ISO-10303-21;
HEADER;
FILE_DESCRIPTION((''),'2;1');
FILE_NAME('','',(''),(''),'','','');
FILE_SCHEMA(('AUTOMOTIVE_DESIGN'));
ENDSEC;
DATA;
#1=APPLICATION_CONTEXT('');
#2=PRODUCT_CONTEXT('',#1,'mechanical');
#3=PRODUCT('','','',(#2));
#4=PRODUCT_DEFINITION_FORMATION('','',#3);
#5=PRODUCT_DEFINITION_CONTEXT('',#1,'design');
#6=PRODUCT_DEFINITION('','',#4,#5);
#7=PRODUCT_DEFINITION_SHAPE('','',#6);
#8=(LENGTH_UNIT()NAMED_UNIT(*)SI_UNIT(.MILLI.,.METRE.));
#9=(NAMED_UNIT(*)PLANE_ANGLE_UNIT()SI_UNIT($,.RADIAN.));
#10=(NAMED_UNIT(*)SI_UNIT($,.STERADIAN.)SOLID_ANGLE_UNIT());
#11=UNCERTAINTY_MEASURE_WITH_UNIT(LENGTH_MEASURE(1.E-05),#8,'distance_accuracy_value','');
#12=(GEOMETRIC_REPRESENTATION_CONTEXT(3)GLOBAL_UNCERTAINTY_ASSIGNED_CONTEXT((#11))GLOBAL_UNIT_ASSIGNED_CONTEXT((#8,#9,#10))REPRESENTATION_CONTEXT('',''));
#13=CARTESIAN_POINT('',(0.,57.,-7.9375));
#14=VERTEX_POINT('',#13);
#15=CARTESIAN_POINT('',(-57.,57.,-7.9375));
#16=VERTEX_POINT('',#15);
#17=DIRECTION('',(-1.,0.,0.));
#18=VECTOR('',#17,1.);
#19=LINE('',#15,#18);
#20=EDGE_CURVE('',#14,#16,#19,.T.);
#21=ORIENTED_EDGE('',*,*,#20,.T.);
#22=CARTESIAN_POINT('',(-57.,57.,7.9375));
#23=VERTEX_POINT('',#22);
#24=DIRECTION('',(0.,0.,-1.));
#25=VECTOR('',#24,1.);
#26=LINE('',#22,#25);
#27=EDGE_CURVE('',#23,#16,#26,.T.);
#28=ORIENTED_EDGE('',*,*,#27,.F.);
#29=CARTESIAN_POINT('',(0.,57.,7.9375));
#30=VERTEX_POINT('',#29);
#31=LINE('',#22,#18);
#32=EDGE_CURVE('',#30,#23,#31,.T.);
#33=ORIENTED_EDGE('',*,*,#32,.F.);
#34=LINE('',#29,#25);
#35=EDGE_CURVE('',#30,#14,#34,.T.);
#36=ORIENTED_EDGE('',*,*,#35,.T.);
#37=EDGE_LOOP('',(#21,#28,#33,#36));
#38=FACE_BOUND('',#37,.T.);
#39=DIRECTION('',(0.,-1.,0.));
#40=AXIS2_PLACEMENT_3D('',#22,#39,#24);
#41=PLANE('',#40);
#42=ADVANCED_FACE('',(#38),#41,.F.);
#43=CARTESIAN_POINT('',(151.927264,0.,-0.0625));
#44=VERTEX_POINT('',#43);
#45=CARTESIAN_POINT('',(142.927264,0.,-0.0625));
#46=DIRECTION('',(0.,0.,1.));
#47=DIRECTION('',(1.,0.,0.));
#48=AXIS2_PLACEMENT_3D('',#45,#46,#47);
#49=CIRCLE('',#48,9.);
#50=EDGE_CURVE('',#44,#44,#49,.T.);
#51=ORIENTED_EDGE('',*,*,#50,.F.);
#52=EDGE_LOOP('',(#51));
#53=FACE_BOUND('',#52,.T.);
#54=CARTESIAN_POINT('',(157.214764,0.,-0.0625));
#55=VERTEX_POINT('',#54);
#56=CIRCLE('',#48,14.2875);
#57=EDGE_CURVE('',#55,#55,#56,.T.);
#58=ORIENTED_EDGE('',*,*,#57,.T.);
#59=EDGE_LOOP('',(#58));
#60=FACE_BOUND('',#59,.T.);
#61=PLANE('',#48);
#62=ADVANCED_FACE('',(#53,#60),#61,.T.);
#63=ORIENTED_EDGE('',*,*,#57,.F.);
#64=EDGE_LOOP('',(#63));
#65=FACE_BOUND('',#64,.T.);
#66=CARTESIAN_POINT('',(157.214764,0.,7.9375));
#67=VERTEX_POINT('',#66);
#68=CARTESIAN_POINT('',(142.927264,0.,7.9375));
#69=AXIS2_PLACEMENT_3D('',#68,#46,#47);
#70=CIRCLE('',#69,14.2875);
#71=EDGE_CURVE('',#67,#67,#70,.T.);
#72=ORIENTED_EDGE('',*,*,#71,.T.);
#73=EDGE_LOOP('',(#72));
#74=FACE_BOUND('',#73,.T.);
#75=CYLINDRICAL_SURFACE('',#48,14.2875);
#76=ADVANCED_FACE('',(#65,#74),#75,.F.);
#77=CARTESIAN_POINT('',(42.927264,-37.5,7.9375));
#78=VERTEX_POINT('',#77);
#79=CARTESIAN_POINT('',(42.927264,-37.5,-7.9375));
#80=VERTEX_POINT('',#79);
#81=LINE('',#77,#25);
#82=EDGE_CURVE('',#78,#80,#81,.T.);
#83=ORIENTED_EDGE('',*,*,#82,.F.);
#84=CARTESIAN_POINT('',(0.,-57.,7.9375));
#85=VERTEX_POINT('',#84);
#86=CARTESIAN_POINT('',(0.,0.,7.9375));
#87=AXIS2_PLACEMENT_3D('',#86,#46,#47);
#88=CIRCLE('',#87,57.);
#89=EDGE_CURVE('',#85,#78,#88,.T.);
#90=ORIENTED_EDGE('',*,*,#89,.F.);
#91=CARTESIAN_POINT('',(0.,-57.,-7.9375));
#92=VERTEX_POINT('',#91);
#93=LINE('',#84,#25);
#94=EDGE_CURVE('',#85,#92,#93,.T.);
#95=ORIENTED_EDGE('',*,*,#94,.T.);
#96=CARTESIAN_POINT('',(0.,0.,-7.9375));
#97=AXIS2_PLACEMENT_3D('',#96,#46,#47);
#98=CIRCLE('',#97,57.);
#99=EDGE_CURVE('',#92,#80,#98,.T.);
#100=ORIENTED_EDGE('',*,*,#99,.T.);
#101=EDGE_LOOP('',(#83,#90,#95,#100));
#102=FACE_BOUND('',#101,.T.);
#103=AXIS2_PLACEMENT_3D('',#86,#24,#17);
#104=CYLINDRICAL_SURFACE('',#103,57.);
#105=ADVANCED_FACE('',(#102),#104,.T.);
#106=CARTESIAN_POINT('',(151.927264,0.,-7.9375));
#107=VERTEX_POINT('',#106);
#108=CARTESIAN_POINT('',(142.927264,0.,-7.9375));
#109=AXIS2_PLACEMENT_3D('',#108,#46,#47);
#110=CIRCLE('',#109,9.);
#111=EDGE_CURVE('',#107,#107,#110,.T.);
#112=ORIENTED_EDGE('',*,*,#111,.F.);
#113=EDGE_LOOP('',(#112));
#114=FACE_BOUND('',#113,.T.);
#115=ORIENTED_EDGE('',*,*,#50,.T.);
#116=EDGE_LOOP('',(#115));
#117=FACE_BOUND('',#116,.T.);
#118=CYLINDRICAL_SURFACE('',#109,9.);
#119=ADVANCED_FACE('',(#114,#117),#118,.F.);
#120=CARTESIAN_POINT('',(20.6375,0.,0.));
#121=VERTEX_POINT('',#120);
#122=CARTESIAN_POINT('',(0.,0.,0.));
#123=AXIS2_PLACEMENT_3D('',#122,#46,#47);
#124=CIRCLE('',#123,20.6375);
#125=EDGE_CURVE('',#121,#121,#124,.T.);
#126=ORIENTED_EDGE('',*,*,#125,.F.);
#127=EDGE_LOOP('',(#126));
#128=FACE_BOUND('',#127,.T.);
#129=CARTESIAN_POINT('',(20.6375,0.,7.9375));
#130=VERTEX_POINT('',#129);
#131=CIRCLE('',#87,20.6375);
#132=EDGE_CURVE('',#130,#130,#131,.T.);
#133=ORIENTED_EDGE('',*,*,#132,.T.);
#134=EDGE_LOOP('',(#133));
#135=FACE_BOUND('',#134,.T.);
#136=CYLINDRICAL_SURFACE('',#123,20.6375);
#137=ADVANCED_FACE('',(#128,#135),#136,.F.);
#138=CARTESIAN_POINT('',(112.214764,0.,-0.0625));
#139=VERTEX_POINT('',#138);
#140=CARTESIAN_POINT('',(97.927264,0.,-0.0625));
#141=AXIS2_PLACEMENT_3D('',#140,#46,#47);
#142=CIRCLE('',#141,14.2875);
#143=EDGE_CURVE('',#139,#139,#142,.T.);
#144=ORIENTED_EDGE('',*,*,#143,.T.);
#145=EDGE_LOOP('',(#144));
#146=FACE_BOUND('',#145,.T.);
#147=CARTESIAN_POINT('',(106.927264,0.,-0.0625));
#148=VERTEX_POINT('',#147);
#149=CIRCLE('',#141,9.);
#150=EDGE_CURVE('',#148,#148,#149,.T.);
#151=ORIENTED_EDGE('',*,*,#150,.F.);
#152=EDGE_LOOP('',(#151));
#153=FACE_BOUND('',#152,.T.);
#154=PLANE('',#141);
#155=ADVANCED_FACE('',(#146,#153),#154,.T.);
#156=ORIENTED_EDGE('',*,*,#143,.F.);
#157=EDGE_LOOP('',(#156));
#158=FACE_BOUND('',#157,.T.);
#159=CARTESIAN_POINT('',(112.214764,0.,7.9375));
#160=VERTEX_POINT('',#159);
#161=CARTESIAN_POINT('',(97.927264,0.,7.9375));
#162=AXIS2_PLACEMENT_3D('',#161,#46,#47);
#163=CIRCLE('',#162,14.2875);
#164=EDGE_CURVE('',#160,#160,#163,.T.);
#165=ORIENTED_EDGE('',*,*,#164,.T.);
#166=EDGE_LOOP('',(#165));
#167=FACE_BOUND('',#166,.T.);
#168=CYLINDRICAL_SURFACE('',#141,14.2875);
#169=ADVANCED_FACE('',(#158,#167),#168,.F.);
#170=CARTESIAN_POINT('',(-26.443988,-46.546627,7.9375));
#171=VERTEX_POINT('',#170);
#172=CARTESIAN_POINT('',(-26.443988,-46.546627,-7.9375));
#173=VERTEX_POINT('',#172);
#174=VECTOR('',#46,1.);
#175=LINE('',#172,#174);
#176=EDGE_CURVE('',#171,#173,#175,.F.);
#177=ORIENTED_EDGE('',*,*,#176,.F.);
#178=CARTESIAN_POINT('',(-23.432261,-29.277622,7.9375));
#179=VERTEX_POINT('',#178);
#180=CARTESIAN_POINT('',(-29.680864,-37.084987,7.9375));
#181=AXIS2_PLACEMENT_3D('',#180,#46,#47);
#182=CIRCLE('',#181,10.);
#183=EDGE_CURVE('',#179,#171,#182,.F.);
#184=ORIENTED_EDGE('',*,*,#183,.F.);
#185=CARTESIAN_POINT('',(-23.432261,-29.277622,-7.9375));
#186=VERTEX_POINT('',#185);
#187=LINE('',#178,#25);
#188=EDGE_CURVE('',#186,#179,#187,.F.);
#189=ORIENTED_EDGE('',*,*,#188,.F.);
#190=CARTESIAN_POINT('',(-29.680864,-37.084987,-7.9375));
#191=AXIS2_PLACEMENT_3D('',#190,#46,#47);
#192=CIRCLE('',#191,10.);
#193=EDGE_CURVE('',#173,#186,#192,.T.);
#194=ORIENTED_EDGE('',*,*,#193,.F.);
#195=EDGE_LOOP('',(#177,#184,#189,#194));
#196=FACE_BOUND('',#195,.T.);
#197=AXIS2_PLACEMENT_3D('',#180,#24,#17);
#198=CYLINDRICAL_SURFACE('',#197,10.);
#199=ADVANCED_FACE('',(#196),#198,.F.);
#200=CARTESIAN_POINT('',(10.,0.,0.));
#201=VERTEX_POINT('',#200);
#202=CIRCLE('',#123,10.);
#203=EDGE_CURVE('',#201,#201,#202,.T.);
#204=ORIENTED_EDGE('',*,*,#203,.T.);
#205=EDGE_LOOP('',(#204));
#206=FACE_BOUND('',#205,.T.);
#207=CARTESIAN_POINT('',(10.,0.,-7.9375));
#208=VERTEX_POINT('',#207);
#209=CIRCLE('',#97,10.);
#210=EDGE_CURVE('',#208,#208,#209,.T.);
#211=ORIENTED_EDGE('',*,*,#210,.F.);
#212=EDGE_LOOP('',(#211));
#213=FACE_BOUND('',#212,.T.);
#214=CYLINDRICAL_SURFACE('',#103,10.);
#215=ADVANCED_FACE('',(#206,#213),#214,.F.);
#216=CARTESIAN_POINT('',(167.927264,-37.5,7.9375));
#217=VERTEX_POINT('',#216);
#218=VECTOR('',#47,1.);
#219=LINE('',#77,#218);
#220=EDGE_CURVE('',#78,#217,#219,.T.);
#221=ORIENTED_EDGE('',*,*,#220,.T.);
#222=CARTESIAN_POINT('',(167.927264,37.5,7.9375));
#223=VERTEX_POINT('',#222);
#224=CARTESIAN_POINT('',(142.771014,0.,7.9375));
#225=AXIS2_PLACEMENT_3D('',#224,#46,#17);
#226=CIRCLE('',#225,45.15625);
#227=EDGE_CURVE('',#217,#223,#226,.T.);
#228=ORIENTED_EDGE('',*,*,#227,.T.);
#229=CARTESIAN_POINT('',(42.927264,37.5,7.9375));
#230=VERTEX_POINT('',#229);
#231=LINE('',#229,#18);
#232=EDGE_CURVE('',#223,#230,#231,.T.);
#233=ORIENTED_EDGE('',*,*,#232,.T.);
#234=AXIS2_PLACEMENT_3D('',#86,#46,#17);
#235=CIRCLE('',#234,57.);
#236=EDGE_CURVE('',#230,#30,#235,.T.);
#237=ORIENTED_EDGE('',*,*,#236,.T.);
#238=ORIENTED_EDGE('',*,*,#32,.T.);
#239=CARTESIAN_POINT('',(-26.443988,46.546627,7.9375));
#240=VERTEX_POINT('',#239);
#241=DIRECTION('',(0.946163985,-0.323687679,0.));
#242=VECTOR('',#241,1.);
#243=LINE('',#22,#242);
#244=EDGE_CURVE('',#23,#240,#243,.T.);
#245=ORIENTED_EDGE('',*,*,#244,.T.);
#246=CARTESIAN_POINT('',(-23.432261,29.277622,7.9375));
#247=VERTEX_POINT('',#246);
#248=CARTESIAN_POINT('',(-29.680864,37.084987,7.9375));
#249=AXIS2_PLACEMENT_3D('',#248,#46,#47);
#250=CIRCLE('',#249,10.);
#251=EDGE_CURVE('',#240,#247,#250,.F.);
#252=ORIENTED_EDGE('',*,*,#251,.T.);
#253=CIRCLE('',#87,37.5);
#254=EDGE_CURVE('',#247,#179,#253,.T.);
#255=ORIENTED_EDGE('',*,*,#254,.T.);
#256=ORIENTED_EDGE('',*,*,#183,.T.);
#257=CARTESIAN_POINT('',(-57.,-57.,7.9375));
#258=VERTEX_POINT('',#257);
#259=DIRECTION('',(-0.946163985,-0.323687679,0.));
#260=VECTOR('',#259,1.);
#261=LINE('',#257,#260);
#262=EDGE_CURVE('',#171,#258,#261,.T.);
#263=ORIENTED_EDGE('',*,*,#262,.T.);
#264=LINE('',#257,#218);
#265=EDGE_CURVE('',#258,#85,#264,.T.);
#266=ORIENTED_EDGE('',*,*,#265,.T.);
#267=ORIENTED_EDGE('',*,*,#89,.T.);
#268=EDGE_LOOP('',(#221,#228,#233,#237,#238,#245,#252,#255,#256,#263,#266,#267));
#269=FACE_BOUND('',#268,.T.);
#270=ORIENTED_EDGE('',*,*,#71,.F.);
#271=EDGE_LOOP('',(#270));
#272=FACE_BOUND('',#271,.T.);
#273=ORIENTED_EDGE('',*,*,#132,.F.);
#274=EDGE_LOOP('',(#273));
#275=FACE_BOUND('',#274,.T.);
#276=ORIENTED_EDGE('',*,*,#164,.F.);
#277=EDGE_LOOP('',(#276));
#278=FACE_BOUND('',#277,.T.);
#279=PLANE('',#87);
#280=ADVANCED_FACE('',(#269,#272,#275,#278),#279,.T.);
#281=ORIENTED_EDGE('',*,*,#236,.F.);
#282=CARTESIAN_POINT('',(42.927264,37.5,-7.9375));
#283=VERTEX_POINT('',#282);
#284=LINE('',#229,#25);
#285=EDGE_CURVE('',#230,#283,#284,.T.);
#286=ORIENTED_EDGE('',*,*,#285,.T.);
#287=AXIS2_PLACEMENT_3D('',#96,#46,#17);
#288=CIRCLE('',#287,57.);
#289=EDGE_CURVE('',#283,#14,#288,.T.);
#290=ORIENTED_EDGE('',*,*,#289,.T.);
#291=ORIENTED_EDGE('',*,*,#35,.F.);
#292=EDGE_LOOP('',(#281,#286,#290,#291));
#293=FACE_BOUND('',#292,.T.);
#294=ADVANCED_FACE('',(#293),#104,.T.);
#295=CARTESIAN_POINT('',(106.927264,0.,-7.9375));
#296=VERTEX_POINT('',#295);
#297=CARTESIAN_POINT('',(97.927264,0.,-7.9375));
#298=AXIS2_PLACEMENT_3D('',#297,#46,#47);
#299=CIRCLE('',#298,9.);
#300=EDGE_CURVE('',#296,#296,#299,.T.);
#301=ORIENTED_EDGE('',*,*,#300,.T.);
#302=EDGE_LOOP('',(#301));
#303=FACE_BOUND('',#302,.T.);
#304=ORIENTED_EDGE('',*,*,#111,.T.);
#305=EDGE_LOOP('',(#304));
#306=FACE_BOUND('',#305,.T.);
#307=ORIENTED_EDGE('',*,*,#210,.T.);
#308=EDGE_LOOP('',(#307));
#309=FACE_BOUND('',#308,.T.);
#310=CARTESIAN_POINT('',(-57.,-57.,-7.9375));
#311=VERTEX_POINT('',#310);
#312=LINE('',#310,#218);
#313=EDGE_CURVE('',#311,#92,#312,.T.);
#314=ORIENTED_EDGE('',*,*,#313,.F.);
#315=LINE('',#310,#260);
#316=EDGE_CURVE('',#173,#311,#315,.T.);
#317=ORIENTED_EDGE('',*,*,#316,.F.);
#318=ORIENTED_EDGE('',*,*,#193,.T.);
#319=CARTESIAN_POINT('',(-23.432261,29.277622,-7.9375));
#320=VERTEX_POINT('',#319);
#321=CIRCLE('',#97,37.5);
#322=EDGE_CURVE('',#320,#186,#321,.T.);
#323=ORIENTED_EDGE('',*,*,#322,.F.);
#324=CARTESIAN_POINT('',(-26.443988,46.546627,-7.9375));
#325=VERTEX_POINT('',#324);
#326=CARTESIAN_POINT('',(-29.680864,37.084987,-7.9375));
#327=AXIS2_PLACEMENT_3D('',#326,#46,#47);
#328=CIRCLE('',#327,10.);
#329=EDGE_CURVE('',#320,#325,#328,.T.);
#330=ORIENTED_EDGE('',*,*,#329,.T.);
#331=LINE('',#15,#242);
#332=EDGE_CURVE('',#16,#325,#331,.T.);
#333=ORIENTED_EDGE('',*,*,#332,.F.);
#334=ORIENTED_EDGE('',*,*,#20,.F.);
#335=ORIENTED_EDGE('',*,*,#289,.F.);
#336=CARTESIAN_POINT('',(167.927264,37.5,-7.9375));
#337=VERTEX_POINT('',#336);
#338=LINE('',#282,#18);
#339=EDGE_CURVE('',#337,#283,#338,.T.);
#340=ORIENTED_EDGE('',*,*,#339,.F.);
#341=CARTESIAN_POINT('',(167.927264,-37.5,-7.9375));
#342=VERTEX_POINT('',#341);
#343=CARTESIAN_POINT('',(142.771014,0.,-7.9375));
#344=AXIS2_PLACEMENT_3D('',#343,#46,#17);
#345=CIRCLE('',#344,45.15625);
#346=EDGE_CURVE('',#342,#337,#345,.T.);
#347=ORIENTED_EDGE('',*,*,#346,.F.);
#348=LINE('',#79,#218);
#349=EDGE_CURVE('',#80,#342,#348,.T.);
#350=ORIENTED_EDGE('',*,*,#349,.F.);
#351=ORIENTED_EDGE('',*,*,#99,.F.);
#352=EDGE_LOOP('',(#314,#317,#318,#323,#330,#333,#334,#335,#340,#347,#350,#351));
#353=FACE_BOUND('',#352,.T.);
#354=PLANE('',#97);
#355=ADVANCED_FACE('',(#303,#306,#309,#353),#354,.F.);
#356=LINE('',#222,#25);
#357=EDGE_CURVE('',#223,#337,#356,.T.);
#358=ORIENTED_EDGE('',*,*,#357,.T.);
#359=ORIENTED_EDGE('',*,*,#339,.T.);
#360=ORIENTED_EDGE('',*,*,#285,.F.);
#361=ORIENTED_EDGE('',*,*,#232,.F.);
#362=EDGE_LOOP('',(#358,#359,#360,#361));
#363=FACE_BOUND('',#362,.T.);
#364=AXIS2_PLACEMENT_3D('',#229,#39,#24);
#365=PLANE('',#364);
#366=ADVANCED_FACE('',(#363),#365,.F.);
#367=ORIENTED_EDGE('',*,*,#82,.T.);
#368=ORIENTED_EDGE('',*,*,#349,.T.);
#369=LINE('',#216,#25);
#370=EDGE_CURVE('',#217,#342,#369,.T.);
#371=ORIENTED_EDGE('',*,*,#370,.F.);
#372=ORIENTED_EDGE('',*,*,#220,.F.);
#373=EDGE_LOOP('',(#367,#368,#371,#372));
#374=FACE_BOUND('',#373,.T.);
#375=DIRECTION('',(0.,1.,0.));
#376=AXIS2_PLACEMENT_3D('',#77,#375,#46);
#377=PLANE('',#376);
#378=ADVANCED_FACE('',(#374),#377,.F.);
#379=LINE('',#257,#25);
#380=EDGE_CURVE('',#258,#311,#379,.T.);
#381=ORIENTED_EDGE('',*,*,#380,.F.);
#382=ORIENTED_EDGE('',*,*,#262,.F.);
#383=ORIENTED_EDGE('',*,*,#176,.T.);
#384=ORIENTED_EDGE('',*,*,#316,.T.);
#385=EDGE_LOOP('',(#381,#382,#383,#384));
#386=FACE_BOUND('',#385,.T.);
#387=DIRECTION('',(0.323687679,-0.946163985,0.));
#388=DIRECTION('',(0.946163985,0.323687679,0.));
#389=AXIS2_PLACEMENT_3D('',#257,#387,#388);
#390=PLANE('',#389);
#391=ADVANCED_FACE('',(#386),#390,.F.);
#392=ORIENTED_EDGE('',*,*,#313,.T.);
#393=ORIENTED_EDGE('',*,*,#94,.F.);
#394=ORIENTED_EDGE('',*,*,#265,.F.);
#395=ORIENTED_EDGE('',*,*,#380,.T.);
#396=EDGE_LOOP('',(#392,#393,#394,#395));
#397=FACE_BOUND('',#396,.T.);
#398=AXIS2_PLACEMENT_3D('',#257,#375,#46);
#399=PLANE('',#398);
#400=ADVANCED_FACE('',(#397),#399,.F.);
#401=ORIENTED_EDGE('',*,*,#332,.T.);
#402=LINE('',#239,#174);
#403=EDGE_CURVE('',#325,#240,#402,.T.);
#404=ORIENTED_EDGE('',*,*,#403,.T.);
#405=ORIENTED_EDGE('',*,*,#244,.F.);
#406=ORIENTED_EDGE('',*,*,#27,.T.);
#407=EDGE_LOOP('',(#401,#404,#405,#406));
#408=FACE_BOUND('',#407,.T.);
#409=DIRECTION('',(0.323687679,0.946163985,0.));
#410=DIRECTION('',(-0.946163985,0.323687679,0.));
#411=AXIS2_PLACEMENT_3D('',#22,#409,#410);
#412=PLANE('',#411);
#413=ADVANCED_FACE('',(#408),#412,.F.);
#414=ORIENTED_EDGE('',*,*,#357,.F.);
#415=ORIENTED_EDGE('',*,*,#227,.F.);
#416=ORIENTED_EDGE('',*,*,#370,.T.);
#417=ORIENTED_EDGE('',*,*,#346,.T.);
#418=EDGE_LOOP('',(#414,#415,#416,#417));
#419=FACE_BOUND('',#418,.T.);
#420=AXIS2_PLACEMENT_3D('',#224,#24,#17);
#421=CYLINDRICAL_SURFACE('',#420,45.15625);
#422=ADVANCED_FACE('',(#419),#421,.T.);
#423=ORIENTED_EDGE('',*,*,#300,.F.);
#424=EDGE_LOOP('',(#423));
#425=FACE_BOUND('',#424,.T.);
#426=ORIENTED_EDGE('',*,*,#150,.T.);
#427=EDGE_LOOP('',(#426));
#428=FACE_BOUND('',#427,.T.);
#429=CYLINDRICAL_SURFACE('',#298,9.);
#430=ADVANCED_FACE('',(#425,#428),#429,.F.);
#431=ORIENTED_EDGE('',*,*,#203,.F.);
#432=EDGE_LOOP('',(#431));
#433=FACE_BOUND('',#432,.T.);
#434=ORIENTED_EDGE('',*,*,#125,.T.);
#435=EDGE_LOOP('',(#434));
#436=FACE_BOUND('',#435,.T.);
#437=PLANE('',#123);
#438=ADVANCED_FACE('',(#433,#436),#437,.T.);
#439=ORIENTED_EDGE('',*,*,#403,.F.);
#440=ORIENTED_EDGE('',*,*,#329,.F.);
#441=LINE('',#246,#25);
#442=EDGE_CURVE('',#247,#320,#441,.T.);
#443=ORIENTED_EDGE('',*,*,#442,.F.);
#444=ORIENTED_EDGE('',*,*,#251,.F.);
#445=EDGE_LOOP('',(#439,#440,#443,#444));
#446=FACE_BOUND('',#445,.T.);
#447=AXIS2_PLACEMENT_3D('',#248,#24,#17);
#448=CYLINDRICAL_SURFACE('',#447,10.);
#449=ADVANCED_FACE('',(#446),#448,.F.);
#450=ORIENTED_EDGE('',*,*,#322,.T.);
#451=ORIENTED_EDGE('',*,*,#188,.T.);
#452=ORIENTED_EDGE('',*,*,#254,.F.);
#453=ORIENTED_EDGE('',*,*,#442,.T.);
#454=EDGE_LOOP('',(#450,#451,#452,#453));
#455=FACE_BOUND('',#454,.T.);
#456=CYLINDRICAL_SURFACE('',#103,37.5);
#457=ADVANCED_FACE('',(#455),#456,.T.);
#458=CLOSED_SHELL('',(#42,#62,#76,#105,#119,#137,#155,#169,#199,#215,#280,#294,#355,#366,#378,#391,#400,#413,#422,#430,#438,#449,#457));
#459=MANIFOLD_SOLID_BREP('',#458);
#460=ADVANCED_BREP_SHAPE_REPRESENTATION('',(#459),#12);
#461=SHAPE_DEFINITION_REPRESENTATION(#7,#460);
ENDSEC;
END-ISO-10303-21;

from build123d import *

# Parameters (mm, degrees)
SKETCH1_R           = 10
BOSS_EXTRUDE1_DEPTH = 7.9375
FILLET1_R           = 10
SKETCH2_R           = 14.2875
CUT_EXTRUDE1_DEPTH  = 8
SKETCH3_R           = 9
CUT_EXTRUDE2_DEPTH  = 198.022009439
SKETCH4_R           = 20.6375
CUT_EXTRUDE3_DEPTH  = 7.9375


with BuildPart() as part:
    # Sketch1 → Boss-Extrude1 (new, symmetric)
    with BuildSketch(Plane.XY):
        with BuildLine():
            Line((-57, -57), (0, -37.5))
            ThreePointArc((0, -37.5), (-37.5, 0), (0, 37.5))
            Line((0, 37.5), (-57, 57))
            Line((-57, 57), (0, 57))
            ThreePointArc((0, 57), (23.574350468, 51.896531676), (42.927264064, 37.5))
            Line((42.927264064, 37.5), (167.927264064, 37.5))
            ThreePointArc((167.927264064, 37.5), (187.927264064, 0), (167.927264064, -37.5))
            Line((167.927264064, -37.5), (42.927264064, -37.5))
            ThreePointArc((42.927264064, -37.5), (23.574350468, -51.896531676), (0, -57))
            Line((0, -57), (-57, -57))
        make_face()
        Circle(SKETCH1_R, mode=Mode.SUBTRACT)
    extrude(amount=BOSS_EXTRUDE1_DEPTH, both=True)

    # Fillet1
    fillet1_edges = [part.edges().sort_by_distance(p)[0] for p in [
        (0, -37.5, 0),
        (0, 37.5, 0),
    ]]
    fillet(fillet1_edges, radius=FILLET1_R)

    # Sketch2 → Cut-Extrude1 (cut)
    with BuildSketch(Plane.XY.offset(7.9375)):
        with Locations((142.927264064, 0)):
            Circle(SKETCH2_R)
        with Locations((97.927264064, 0)):
            Circle(SKETCH2_R)
    extrude(amount=-CUT_EXTRUDE1_DEPTH, mode=Mode.SUBTRACT)

    # Sketch3 → Cut-Extrude2 (cut, through all)
    with BuildSketch(Plane.XY.offset(7.9375)):
        with Locations((97.927264064, 0)):
            Circle(SKETCH3_R)
        with Locations((142.927264064, 0)):
            Circle(SKETCH3_R)
    extrude(amount=-CUT_EXTRUDE2_DEPTH, mode=Mode.SUBTRACT)

    # Sketch4 → Cut-Extrude3 (cut)
    with BuildSketch(Plane.XY.offset(7.9375)):
        Circle(SKETCH4_R)
    extrude(amount=-CUT_EXTRUDE3_DEPTH, mode=Mode.SUBTRACT)


solid = part.part
